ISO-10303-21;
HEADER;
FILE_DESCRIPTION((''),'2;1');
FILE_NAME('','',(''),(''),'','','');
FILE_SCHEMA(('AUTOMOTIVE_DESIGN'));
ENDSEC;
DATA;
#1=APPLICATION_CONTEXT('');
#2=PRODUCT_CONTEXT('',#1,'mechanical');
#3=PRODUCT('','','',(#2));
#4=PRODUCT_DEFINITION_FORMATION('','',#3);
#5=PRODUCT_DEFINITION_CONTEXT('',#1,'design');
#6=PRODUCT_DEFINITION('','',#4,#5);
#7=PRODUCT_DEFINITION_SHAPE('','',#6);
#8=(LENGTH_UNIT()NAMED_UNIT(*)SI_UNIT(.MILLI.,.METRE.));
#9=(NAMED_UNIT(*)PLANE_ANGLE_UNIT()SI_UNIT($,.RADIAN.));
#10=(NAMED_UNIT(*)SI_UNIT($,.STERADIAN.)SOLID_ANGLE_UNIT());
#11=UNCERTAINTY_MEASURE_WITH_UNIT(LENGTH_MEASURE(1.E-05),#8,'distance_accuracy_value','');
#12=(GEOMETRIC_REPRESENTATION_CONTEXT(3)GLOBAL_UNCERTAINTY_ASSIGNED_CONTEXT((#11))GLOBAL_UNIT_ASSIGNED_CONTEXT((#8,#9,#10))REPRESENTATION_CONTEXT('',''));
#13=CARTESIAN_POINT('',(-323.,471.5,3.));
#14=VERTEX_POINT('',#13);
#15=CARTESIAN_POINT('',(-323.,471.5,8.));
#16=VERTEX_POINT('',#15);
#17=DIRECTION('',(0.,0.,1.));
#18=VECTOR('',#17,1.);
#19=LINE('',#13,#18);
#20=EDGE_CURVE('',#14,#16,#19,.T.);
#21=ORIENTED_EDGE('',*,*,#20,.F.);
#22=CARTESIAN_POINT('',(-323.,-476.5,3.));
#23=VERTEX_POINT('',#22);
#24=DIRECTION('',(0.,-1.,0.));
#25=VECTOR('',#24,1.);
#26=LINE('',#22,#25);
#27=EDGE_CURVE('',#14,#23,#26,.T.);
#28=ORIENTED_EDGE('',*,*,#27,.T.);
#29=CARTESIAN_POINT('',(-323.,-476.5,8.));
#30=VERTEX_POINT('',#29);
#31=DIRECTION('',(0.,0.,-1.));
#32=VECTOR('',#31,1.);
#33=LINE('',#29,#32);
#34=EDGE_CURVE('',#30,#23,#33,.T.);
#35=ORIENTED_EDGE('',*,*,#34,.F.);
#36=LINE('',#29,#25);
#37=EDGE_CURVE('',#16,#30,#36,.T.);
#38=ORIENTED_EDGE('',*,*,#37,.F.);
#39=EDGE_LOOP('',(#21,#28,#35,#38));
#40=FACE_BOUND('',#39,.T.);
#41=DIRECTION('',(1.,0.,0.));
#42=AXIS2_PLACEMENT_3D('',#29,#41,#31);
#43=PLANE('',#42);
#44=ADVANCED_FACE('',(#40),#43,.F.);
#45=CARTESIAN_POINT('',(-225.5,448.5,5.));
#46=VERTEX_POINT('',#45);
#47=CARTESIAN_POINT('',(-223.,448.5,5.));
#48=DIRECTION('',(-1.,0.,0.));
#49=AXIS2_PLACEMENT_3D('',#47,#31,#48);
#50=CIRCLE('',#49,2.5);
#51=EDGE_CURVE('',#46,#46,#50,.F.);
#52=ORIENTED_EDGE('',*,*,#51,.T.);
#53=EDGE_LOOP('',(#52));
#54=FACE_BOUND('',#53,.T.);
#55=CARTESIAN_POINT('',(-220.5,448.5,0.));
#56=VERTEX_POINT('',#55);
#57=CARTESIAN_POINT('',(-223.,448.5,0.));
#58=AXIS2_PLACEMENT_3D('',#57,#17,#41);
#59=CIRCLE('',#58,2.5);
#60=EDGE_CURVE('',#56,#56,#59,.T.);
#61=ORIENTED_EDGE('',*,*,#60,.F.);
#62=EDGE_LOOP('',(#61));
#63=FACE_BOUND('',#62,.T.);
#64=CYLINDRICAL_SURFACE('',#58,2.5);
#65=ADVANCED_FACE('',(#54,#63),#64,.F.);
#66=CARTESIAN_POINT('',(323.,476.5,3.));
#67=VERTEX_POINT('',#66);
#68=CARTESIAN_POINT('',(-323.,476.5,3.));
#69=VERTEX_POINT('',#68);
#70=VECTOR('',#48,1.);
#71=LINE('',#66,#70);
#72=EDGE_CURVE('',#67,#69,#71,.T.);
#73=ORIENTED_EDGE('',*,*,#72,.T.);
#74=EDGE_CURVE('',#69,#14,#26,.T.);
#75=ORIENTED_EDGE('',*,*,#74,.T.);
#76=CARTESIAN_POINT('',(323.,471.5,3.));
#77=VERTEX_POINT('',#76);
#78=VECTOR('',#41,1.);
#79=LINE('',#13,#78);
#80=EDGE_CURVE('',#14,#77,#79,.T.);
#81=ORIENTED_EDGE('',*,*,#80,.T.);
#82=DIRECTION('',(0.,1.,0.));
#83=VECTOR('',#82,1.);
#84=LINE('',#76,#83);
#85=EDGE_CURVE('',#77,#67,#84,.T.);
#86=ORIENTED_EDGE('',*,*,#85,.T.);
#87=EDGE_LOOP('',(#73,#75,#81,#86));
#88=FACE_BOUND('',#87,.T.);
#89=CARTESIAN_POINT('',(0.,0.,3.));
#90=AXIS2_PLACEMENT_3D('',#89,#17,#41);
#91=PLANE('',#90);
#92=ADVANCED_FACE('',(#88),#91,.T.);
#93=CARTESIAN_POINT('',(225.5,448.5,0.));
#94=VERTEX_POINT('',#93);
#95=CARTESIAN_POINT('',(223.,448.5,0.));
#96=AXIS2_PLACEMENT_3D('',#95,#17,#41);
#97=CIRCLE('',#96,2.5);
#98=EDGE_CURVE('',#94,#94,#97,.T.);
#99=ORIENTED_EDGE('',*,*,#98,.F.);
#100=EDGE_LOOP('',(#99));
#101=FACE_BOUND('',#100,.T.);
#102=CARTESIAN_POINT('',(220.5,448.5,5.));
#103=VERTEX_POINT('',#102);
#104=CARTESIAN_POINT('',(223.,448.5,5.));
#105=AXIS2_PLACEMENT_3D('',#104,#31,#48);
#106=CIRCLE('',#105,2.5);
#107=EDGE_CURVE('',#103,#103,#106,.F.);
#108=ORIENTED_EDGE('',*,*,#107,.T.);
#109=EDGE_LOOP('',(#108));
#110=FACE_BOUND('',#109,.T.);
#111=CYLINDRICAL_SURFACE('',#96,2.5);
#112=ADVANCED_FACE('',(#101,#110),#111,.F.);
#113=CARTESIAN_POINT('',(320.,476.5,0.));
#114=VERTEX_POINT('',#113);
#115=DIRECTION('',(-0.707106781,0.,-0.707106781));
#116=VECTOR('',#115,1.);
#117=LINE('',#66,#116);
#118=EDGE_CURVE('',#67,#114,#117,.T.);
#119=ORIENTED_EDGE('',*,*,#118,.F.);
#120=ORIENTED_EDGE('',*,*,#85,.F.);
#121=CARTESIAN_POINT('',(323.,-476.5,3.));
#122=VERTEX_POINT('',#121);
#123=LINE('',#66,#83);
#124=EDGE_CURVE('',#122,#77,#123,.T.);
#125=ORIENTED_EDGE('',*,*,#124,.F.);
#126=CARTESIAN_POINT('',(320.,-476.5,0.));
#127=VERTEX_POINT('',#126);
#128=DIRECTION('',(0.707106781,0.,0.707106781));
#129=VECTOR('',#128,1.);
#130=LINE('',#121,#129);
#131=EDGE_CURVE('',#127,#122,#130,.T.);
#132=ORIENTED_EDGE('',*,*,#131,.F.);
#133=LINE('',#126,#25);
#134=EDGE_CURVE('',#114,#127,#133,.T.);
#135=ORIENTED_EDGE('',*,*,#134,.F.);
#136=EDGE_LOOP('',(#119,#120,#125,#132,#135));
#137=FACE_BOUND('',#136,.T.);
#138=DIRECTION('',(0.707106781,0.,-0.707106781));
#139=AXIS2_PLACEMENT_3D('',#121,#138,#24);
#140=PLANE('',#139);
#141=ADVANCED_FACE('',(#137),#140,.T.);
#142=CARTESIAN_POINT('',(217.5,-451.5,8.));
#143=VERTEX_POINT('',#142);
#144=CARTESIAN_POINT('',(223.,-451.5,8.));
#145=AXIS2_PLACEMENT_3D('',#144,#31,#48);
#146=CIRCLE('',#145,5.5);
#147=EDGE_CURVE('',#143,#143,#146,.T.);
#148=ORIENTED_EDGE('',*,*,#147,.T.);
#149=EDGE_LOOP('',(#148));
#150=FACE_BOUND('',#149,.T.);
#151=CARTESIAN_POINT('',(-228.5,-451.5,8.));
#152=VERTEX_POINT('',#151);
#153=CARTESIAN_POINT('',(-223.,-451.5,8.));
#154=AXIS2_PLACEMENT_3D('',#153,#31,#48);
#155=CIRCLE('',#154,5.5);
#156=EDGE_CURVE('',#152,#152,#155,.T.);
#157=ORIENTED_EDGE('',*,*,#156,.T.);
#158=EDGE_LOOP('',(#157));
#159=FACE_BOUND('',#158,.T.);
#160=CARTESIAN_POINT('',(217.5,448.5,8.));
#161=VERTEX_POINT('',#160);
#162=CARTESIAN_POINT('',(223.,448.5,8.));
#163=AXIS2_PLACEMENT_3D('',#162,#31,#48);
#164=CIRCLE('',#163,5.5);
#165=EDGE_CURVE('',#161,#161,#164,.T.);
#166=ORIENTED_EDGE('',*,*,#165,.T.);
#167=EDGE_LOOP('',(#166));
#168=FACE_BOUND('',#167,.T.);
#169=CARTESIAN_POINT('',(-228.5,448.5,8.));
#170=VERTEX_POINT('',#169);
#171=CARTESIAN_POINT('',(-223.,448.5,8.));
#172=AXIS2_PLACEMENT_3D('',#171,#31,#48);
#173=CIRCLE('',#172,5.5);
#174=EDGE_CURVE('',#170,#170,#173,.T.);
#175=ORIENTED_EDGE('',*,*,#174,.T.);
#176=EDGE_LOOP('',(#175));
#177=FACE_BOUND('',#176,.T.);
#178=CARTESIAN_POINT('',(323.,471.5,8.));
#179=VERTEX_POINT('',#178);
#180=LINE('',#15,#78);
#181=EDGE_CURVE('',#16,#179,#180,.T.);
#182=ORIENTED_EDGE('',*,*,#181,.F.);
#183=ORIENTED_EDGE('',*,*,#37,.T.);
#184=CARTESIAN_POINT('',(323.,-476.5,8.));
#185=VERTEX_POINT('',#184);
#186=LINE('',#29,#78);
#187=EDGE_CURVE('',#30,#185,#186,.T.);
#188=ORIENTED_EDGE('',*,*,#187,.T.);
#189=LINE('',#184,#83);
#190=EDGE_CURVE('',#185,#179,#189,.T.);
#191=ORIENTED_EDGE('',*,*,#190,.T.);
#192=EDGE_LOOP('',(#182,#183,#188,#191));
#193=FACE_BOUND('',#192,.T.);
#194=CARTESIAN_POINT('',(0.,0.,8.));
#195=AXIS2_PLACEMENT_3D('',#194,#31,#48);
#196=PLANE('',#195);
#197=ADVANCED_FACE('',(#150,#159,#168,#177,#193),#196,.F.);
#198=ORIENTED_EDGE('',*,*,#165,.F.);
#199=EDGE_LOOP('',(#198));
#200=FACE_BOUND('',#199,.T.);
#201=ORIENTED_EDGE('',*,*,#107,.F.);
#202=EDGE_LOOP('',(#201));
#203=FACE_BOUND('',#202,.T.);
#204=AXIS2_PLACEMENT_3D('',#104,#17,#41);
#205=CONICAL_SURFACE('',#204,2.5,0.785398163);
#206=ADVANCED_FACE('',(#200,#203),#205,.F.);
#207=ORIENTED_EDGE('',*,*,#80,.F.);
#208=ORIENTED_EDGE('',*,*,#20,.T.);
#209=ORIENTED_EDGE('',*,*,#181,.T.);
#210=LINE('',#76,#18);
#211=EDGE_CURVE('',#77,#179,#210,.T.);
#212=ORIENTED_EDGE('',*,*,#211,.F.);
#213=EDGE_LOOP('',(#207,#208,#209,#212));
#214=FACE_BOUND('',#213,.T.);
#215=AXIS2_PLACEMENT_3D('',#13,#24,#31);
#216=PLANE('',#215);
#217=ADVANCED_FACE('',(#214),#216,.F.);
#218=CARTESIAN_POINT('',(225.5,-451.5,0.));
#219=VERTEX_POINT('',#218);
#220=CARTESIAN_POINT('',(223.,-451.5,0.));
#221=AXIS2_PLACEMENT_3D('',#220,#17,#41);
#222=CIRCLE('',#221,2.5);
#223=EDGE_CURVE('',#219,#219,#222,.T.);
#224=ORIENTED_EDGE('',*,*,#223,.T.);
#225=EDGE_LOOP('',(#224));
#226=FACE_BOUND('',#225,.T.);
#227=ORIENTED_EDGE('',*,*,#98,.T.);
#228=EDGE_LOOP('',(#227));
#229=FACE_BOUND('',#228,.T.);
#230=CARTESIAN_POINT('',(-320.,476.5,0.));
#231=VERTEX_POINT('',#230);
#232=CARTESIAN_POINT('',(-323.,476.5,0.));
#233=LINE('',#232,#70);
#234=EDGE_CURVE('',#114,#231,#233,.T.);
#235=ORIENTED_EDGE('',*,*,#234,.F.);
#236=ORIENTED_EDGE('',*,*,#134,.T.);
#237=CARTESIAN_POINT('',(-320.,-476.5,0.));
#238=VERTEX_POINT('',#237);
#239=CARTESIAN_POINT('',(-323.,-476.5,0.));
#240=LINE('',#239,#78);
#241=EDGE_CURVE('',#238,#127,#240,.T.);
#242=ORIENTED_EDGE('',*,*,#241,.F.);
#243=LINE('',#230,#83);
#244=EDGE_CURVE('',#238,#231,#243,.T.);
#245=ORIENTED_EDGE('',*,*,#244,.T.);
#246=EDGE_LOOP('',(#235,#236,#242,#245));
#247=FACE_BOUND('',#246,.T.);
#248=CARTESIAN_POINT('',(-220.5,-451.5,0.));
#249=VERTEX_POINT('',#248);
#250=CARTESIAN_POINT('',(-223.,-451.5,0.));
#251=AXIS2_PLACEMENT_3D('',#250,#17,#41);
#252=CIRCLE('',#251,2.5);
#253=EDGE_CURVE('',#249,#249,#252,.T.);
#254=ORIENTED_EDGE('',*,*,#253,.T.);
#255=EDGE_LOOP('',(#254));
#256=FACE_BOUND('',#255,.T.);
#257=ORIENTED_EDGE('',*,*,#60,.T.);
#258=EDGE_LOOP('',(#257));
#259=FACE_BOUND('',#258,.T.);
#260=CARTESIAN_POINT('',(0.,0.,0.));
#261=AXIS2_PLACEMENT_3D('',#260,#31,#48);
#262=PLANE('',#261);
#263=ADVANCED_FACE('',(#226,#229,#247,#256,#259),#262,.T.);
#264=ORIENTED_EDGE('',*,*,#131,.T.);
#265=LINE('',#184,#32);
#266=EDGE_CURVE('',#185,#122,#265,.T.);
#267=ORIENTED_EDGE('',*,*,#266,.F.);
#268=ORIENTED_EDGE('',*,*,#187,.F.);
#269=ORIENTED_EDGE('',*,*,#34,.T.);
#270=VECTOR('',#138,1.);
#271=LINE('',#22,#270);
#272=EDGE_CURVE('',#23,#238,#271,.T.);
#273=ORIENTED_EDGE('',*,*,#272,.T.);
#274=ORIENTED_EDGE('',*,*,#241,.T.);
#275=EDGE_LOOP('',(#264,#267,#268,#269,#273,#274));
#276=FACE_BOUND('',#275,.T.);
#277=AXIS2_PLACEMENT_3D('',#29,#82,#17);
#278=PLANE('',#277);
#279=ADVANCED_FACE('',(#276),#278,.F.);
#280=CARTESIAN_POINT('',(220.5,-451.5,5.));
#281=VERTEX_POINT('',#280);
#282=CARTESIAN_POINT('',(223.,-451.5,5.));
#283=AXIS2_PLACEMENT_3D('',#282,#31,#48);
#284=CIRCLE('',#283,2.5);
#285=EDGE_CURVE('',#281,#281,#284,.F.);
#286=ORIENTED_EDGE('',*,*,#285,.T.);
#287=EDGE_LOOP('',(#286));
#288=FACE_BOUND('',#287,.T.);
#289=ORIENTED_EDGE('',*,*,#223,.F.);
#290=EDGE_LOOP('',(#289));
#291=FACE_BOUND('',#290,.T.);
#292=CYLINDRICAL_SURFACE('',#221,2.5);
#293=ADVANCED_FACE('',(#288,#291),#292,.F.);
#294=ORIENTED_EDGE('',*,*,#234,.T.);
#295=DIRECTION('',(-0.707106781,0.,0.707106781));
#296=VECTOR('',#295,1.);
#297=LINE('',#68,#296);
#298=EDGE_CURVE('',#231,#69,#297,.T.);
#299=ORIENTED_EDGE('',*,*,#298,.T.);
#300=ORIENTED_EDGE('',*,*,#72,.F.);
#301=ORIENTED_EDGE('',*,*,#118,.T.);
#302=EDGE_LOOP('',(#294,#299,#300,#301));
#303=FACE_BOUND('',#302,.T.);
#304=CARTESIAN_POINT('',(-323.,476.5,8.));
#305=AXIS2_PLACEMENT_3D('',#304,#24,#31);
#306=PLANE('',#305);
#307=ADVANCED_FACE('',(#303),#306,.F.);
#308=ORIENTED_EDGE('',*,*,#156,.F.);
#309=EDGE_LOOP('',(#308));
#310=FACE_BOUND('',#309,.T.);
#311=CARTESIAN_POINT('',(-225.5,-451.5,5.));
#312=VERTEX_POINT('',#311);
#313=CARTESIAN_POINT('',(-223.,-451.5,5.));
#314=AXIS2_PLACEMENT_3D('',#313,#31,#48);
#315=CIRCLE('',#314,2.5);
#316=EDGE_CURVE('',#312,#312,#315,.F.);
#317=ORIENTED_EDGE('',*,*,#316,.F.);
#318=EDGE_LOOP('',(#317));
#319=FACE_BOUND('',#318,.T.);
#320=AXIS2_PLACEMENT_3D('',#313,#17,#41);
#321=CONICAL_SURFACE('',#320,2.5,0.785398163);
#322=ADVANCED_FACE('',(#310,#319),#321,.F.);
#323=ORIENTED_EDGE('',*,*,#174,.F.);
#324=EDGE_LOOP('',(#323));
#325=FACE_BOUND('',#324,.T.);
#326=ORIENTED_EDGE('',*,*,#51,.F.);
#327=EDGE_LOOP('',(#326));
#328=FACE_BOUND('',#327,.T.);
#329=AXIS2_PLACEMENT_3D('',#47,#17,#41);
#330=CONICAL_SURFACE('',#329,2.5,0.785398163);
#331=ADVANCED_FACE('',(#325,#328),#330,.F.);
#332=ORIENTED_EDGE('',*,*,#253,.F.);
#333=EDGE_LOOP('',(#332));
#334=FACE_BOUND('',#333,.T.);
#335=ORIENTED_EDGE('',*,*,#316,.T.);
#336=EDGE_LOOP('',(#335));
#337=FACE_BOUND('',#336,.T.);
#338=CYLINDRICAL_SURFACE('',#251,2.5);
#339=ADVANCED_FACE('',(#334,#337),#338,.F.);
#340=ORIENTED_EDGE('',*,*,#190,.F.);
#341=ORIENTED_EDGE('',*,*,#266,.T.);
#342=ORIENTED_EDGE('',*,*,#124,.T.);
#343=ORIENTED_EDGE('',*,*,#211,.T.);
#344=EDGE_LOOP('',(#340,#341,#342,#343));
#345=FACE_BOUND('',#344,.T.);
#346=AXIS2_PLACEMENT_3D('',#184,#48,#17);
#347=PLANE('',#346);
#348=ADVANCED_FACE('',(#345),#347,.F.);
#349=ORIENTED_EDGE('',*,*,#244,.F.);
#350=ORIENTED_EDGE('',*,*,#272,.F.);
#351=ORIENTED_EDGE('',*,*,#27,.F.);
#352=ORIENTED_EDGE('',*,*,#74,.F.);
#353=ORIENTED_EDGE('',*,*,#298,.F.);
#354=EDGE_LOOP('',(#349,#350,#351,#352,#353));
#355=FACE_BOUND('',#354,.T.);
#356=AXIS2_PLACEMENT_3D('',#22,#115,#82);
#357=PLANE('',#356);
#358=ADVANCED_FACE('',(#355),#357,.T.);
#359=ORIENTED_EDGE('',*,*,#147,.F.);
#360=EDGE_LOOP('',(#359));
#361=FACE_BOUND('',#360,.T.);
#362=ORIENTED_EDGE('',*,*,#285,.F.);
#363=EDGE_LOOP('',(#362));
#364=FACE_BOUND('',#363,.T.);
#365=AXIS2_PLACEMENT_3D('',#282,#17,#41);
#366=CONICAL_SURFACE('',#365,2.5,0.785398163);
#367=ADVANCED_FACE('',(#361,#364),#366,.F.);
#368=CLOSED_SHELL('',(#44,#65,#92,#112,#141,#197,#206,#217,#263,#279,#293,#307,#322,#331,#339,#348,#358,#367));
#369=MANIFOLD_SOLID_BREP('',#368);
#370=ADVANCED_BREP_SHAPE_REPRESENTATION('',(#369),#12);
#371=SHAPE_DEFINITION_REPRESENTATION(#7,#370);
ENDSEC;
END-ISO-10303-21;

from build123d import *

# Parameters (mm, degrees)
SKETCH1_W           = 646
SKETCH1_H           = 953
BOSS_EXTRUDE1_DEPTH = 8
CHAMFER1_SIZE       = 3
SKETCH3_R           = 2.5
CUT_EXTRUDE2_DEPTH  = 9
CHAMFER2_SIZE       = 3
SKETCH2_W           = 646
SKETCH2_H           = 5
CUT_EXTRUDE3_DEPTH  = 5


with BuildPart() as part:
    # Sketch1 → Boss-Extrude1 (new body)
    with BuildSketch(Plane.XY):
        Rectangle(SKETCH1_W, SKETCH1_H)
    extrude(amount=BOSS_EXTRUDE1_DEPTH)

    # Chamfer1
    chamfer1_edges = [part.edges().sort_by_distance(p)[0] for p in [
        (-323, 0, 0),
        (323, 0, 0),
    ]]
    chamfer(chamfer1_edges, length=CHAMFER1_SIZE)

    # Sketch3 → Cut-Extrude2 (cut, through all)
    with BuildSketch(Plane.XY.offset(8)):
        with Locations((-223, 448.5)):
            Circle(SKETCH3_R)
        with Locations((-223, -451.5)):
            Circle(SKETCH3_R)
        with Locations((223, -451.5)):
            Circle(SKETCH3_R)
        with Locations((223, 448.5)):
            Circle(SKETCH3_R)
    extrude(amount=-CUT_EXTRUDE2_DEPTH, mode=Mode.SUBTRACT)

    # Chamfer2
    chamfer2_edges = [part.edges().sort_by_distance(p)[0] for p in [
        (-225.5, 448.5, 8),
        (-225.5, -451.5, 8),
        (220.5, -451.5, 8),
        (220.5, 448.5, 8),
    ]]
    chamfer(chamfer2_edges, length=CHAMFER2_SIZE)

    # Sketch2 → Cut-Extrude3 (cut)
    with BuildSketch(Plane.XY.offset(8)):
        with Locations((0, 474)):
            Rectangle(SKETCH2_W, SKETCH2_H)
    extrude(amount=-CUT_EXTRUDE3_DEPTH, mode=Mode.SUBTRACT)


solid = part.part
